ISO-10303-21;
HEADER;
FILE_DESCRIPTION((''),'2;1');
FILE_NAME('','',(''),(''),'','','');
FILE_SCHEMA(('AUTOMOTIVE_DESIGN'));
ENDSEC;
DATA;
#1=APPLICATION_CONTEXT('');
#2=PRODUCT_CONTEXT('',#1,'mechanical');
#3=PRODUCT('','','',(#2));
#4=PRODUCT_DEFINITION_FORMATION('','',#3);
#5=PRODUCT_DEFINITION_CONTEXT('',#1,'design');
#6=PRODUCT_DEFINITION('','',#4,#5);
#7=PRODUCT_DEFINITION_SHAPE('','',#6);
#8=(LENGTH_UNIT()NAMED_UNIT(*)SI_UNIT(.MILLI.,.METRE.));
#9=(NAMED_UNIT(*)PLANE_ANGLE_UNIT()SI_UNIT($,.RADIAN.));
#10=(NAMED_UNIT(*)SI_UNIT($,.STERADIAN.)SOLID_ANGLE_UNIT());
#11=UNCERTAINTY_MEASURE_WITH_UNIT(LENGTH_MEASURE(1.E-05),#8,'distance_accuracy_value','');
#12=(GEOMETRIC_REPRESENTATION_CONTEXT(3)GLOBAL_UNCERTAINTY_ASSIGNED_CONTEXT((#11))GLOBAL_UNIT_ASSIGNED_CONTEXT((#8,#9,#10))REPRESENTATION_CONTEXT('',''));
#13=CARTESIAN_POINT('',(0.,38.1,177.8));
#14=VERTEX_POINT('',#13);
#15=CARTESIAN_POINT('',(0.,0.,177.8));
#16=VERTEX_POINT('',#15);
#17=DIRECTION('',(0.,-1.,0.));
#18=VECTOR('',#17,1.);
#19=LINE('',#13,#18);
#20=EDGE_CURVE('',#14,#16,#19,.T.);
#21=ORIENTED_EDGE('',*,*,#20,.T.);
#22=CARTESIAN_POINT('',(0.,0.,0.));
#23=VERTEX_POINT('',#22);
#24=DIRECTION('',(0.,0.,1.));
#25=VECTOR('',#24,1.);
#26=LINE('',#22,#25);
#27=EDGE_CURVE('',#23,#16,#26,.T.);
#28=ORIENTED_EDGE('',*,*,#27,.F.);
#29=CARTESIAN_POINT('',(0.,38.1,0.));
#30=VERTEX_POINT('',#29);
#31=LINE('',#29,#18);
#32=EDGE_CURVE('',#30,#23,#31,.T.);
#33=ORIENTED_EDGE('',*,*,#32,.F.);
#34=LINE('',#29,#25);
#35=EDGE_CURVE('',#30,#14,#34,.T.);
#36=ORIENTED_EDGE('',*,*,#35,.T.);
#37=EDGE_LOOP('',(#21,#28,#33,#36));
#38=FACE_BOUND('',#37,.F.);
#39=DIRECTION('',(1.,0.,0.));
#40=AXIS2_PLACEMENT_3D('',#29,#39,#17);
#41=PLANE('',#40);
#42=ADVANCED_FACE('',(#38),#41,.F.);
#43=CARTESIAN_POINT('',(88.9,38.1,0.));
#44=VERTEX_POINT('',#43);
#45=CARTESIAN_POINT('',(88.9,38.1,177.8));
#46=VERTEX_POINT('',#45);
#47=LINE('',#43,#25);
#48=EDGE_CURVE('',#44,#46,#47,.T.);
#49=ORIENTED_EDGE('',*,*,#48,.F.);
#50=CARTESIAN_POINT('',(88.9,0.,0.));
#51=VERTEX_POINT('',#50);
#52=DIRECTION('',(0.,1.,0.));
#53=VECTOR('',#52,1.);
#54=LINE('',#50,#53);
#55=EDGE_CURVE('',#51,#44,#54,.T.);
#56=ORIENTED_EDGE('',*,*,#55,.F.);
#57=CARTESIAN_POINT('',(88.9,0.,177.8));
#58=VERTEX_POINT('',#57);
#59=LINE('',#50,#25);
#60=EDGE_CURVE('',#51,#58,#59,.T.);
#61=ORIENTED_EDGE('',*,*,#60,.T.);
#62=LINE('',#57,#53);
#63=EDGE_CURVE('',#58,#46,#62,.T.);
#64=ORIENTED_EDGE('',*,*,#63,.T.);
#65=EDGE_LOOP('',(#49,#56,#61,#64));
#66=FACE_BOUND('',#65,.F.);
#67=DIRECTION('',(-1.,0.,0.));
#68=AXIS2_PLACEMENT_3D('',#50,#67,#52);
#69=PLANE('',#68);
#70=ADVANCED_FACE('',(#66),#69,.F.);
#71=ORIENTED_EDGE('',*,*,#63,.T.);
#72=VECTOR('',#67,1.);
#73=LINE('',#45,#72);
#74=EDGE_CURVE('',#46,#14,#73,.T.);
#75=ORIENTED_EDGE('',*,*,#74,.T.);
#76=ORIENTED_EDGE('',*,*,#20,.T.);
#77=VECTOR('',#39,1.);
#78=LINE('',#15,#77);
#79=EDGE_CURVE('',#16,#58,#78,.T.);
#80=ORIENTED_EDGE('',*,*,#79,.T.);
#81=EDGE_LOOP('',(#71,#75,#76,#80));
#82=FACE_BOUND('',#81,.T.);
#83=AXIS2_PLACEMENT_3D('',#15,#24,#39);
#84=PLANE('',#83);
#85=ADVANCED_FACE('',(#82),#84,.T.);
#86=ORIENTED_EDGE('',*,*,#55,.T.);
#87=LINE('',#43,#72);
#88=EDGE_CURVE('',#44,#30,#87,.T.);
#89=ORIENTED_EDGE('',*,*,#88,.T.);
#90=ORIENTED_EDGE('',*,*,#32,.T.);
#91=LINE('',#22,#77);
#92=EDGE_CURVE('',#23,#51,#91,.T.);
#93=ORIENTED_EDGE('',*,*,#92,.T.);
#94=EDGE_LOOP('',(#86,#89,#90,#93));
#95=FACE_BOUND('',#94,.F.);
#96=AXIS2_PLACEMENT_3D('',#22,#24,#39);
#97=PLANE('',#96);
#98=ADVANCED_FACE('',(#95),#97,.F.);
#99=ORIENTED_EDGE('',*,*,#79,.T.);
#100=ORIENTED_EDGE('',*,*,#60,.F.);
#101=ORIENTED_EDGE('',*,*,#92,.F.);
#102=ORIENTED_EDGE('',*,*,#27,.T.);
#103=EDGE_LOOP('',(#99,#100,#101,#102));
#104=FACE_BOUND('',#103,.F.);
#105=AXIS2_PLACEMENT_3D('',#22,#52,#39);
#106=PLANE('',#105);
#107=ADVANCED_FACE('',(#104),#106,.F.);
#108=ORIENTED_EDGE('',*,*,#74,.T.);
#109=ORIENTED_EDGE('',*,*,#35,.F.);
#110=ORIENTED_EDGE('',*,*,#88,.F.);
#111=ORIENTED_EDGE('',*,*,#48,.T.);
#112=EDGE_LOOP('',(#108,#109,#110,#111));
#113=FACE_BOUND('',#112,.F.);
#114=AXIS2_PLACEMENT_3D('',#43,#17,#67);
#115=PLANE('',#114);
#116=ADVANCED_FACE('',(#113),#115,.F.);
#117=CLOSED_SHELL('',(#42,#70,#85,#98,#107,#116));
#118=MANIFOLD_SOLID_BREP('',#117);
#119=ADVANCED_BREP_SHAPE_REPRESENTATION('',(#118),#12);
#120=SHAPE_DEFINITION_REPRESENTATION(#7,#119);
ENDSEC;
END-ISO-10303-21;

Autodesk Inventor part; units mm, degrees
ref_plane "YZ Plane" through (0, 0, 0) normal (1, 0, 0) x (0, 1, 0)
ref_plane "XZ Plane" through (0, 0, 0) normal (0, 1, 0) x (-1, 0, 0)
ref_plane "XY Plane" through (0, 0, 0) normal (0, 0, 1) x (1, 0, 0)
sketch "Sketch1" plane through (0, 0, 0) normal (0, 0, 1) x (1, 0, 0)
  line L0 (0, 0) -> (88.9, 0)
  line L1 (88.9, 0) -> (88.9, 38.1)
  line L2 (88.9, 38.1) -> (0, 38.1)
  line L3 (0, 38.1) -> (0, 0)
  dimension "d0" = 88.9
  dimension "d1" = 38.1
extrude "Extrusion1" add sketch "Sketch1" along normal blind 177.8
properties part number "BA23" material "Wood (Oak)"
